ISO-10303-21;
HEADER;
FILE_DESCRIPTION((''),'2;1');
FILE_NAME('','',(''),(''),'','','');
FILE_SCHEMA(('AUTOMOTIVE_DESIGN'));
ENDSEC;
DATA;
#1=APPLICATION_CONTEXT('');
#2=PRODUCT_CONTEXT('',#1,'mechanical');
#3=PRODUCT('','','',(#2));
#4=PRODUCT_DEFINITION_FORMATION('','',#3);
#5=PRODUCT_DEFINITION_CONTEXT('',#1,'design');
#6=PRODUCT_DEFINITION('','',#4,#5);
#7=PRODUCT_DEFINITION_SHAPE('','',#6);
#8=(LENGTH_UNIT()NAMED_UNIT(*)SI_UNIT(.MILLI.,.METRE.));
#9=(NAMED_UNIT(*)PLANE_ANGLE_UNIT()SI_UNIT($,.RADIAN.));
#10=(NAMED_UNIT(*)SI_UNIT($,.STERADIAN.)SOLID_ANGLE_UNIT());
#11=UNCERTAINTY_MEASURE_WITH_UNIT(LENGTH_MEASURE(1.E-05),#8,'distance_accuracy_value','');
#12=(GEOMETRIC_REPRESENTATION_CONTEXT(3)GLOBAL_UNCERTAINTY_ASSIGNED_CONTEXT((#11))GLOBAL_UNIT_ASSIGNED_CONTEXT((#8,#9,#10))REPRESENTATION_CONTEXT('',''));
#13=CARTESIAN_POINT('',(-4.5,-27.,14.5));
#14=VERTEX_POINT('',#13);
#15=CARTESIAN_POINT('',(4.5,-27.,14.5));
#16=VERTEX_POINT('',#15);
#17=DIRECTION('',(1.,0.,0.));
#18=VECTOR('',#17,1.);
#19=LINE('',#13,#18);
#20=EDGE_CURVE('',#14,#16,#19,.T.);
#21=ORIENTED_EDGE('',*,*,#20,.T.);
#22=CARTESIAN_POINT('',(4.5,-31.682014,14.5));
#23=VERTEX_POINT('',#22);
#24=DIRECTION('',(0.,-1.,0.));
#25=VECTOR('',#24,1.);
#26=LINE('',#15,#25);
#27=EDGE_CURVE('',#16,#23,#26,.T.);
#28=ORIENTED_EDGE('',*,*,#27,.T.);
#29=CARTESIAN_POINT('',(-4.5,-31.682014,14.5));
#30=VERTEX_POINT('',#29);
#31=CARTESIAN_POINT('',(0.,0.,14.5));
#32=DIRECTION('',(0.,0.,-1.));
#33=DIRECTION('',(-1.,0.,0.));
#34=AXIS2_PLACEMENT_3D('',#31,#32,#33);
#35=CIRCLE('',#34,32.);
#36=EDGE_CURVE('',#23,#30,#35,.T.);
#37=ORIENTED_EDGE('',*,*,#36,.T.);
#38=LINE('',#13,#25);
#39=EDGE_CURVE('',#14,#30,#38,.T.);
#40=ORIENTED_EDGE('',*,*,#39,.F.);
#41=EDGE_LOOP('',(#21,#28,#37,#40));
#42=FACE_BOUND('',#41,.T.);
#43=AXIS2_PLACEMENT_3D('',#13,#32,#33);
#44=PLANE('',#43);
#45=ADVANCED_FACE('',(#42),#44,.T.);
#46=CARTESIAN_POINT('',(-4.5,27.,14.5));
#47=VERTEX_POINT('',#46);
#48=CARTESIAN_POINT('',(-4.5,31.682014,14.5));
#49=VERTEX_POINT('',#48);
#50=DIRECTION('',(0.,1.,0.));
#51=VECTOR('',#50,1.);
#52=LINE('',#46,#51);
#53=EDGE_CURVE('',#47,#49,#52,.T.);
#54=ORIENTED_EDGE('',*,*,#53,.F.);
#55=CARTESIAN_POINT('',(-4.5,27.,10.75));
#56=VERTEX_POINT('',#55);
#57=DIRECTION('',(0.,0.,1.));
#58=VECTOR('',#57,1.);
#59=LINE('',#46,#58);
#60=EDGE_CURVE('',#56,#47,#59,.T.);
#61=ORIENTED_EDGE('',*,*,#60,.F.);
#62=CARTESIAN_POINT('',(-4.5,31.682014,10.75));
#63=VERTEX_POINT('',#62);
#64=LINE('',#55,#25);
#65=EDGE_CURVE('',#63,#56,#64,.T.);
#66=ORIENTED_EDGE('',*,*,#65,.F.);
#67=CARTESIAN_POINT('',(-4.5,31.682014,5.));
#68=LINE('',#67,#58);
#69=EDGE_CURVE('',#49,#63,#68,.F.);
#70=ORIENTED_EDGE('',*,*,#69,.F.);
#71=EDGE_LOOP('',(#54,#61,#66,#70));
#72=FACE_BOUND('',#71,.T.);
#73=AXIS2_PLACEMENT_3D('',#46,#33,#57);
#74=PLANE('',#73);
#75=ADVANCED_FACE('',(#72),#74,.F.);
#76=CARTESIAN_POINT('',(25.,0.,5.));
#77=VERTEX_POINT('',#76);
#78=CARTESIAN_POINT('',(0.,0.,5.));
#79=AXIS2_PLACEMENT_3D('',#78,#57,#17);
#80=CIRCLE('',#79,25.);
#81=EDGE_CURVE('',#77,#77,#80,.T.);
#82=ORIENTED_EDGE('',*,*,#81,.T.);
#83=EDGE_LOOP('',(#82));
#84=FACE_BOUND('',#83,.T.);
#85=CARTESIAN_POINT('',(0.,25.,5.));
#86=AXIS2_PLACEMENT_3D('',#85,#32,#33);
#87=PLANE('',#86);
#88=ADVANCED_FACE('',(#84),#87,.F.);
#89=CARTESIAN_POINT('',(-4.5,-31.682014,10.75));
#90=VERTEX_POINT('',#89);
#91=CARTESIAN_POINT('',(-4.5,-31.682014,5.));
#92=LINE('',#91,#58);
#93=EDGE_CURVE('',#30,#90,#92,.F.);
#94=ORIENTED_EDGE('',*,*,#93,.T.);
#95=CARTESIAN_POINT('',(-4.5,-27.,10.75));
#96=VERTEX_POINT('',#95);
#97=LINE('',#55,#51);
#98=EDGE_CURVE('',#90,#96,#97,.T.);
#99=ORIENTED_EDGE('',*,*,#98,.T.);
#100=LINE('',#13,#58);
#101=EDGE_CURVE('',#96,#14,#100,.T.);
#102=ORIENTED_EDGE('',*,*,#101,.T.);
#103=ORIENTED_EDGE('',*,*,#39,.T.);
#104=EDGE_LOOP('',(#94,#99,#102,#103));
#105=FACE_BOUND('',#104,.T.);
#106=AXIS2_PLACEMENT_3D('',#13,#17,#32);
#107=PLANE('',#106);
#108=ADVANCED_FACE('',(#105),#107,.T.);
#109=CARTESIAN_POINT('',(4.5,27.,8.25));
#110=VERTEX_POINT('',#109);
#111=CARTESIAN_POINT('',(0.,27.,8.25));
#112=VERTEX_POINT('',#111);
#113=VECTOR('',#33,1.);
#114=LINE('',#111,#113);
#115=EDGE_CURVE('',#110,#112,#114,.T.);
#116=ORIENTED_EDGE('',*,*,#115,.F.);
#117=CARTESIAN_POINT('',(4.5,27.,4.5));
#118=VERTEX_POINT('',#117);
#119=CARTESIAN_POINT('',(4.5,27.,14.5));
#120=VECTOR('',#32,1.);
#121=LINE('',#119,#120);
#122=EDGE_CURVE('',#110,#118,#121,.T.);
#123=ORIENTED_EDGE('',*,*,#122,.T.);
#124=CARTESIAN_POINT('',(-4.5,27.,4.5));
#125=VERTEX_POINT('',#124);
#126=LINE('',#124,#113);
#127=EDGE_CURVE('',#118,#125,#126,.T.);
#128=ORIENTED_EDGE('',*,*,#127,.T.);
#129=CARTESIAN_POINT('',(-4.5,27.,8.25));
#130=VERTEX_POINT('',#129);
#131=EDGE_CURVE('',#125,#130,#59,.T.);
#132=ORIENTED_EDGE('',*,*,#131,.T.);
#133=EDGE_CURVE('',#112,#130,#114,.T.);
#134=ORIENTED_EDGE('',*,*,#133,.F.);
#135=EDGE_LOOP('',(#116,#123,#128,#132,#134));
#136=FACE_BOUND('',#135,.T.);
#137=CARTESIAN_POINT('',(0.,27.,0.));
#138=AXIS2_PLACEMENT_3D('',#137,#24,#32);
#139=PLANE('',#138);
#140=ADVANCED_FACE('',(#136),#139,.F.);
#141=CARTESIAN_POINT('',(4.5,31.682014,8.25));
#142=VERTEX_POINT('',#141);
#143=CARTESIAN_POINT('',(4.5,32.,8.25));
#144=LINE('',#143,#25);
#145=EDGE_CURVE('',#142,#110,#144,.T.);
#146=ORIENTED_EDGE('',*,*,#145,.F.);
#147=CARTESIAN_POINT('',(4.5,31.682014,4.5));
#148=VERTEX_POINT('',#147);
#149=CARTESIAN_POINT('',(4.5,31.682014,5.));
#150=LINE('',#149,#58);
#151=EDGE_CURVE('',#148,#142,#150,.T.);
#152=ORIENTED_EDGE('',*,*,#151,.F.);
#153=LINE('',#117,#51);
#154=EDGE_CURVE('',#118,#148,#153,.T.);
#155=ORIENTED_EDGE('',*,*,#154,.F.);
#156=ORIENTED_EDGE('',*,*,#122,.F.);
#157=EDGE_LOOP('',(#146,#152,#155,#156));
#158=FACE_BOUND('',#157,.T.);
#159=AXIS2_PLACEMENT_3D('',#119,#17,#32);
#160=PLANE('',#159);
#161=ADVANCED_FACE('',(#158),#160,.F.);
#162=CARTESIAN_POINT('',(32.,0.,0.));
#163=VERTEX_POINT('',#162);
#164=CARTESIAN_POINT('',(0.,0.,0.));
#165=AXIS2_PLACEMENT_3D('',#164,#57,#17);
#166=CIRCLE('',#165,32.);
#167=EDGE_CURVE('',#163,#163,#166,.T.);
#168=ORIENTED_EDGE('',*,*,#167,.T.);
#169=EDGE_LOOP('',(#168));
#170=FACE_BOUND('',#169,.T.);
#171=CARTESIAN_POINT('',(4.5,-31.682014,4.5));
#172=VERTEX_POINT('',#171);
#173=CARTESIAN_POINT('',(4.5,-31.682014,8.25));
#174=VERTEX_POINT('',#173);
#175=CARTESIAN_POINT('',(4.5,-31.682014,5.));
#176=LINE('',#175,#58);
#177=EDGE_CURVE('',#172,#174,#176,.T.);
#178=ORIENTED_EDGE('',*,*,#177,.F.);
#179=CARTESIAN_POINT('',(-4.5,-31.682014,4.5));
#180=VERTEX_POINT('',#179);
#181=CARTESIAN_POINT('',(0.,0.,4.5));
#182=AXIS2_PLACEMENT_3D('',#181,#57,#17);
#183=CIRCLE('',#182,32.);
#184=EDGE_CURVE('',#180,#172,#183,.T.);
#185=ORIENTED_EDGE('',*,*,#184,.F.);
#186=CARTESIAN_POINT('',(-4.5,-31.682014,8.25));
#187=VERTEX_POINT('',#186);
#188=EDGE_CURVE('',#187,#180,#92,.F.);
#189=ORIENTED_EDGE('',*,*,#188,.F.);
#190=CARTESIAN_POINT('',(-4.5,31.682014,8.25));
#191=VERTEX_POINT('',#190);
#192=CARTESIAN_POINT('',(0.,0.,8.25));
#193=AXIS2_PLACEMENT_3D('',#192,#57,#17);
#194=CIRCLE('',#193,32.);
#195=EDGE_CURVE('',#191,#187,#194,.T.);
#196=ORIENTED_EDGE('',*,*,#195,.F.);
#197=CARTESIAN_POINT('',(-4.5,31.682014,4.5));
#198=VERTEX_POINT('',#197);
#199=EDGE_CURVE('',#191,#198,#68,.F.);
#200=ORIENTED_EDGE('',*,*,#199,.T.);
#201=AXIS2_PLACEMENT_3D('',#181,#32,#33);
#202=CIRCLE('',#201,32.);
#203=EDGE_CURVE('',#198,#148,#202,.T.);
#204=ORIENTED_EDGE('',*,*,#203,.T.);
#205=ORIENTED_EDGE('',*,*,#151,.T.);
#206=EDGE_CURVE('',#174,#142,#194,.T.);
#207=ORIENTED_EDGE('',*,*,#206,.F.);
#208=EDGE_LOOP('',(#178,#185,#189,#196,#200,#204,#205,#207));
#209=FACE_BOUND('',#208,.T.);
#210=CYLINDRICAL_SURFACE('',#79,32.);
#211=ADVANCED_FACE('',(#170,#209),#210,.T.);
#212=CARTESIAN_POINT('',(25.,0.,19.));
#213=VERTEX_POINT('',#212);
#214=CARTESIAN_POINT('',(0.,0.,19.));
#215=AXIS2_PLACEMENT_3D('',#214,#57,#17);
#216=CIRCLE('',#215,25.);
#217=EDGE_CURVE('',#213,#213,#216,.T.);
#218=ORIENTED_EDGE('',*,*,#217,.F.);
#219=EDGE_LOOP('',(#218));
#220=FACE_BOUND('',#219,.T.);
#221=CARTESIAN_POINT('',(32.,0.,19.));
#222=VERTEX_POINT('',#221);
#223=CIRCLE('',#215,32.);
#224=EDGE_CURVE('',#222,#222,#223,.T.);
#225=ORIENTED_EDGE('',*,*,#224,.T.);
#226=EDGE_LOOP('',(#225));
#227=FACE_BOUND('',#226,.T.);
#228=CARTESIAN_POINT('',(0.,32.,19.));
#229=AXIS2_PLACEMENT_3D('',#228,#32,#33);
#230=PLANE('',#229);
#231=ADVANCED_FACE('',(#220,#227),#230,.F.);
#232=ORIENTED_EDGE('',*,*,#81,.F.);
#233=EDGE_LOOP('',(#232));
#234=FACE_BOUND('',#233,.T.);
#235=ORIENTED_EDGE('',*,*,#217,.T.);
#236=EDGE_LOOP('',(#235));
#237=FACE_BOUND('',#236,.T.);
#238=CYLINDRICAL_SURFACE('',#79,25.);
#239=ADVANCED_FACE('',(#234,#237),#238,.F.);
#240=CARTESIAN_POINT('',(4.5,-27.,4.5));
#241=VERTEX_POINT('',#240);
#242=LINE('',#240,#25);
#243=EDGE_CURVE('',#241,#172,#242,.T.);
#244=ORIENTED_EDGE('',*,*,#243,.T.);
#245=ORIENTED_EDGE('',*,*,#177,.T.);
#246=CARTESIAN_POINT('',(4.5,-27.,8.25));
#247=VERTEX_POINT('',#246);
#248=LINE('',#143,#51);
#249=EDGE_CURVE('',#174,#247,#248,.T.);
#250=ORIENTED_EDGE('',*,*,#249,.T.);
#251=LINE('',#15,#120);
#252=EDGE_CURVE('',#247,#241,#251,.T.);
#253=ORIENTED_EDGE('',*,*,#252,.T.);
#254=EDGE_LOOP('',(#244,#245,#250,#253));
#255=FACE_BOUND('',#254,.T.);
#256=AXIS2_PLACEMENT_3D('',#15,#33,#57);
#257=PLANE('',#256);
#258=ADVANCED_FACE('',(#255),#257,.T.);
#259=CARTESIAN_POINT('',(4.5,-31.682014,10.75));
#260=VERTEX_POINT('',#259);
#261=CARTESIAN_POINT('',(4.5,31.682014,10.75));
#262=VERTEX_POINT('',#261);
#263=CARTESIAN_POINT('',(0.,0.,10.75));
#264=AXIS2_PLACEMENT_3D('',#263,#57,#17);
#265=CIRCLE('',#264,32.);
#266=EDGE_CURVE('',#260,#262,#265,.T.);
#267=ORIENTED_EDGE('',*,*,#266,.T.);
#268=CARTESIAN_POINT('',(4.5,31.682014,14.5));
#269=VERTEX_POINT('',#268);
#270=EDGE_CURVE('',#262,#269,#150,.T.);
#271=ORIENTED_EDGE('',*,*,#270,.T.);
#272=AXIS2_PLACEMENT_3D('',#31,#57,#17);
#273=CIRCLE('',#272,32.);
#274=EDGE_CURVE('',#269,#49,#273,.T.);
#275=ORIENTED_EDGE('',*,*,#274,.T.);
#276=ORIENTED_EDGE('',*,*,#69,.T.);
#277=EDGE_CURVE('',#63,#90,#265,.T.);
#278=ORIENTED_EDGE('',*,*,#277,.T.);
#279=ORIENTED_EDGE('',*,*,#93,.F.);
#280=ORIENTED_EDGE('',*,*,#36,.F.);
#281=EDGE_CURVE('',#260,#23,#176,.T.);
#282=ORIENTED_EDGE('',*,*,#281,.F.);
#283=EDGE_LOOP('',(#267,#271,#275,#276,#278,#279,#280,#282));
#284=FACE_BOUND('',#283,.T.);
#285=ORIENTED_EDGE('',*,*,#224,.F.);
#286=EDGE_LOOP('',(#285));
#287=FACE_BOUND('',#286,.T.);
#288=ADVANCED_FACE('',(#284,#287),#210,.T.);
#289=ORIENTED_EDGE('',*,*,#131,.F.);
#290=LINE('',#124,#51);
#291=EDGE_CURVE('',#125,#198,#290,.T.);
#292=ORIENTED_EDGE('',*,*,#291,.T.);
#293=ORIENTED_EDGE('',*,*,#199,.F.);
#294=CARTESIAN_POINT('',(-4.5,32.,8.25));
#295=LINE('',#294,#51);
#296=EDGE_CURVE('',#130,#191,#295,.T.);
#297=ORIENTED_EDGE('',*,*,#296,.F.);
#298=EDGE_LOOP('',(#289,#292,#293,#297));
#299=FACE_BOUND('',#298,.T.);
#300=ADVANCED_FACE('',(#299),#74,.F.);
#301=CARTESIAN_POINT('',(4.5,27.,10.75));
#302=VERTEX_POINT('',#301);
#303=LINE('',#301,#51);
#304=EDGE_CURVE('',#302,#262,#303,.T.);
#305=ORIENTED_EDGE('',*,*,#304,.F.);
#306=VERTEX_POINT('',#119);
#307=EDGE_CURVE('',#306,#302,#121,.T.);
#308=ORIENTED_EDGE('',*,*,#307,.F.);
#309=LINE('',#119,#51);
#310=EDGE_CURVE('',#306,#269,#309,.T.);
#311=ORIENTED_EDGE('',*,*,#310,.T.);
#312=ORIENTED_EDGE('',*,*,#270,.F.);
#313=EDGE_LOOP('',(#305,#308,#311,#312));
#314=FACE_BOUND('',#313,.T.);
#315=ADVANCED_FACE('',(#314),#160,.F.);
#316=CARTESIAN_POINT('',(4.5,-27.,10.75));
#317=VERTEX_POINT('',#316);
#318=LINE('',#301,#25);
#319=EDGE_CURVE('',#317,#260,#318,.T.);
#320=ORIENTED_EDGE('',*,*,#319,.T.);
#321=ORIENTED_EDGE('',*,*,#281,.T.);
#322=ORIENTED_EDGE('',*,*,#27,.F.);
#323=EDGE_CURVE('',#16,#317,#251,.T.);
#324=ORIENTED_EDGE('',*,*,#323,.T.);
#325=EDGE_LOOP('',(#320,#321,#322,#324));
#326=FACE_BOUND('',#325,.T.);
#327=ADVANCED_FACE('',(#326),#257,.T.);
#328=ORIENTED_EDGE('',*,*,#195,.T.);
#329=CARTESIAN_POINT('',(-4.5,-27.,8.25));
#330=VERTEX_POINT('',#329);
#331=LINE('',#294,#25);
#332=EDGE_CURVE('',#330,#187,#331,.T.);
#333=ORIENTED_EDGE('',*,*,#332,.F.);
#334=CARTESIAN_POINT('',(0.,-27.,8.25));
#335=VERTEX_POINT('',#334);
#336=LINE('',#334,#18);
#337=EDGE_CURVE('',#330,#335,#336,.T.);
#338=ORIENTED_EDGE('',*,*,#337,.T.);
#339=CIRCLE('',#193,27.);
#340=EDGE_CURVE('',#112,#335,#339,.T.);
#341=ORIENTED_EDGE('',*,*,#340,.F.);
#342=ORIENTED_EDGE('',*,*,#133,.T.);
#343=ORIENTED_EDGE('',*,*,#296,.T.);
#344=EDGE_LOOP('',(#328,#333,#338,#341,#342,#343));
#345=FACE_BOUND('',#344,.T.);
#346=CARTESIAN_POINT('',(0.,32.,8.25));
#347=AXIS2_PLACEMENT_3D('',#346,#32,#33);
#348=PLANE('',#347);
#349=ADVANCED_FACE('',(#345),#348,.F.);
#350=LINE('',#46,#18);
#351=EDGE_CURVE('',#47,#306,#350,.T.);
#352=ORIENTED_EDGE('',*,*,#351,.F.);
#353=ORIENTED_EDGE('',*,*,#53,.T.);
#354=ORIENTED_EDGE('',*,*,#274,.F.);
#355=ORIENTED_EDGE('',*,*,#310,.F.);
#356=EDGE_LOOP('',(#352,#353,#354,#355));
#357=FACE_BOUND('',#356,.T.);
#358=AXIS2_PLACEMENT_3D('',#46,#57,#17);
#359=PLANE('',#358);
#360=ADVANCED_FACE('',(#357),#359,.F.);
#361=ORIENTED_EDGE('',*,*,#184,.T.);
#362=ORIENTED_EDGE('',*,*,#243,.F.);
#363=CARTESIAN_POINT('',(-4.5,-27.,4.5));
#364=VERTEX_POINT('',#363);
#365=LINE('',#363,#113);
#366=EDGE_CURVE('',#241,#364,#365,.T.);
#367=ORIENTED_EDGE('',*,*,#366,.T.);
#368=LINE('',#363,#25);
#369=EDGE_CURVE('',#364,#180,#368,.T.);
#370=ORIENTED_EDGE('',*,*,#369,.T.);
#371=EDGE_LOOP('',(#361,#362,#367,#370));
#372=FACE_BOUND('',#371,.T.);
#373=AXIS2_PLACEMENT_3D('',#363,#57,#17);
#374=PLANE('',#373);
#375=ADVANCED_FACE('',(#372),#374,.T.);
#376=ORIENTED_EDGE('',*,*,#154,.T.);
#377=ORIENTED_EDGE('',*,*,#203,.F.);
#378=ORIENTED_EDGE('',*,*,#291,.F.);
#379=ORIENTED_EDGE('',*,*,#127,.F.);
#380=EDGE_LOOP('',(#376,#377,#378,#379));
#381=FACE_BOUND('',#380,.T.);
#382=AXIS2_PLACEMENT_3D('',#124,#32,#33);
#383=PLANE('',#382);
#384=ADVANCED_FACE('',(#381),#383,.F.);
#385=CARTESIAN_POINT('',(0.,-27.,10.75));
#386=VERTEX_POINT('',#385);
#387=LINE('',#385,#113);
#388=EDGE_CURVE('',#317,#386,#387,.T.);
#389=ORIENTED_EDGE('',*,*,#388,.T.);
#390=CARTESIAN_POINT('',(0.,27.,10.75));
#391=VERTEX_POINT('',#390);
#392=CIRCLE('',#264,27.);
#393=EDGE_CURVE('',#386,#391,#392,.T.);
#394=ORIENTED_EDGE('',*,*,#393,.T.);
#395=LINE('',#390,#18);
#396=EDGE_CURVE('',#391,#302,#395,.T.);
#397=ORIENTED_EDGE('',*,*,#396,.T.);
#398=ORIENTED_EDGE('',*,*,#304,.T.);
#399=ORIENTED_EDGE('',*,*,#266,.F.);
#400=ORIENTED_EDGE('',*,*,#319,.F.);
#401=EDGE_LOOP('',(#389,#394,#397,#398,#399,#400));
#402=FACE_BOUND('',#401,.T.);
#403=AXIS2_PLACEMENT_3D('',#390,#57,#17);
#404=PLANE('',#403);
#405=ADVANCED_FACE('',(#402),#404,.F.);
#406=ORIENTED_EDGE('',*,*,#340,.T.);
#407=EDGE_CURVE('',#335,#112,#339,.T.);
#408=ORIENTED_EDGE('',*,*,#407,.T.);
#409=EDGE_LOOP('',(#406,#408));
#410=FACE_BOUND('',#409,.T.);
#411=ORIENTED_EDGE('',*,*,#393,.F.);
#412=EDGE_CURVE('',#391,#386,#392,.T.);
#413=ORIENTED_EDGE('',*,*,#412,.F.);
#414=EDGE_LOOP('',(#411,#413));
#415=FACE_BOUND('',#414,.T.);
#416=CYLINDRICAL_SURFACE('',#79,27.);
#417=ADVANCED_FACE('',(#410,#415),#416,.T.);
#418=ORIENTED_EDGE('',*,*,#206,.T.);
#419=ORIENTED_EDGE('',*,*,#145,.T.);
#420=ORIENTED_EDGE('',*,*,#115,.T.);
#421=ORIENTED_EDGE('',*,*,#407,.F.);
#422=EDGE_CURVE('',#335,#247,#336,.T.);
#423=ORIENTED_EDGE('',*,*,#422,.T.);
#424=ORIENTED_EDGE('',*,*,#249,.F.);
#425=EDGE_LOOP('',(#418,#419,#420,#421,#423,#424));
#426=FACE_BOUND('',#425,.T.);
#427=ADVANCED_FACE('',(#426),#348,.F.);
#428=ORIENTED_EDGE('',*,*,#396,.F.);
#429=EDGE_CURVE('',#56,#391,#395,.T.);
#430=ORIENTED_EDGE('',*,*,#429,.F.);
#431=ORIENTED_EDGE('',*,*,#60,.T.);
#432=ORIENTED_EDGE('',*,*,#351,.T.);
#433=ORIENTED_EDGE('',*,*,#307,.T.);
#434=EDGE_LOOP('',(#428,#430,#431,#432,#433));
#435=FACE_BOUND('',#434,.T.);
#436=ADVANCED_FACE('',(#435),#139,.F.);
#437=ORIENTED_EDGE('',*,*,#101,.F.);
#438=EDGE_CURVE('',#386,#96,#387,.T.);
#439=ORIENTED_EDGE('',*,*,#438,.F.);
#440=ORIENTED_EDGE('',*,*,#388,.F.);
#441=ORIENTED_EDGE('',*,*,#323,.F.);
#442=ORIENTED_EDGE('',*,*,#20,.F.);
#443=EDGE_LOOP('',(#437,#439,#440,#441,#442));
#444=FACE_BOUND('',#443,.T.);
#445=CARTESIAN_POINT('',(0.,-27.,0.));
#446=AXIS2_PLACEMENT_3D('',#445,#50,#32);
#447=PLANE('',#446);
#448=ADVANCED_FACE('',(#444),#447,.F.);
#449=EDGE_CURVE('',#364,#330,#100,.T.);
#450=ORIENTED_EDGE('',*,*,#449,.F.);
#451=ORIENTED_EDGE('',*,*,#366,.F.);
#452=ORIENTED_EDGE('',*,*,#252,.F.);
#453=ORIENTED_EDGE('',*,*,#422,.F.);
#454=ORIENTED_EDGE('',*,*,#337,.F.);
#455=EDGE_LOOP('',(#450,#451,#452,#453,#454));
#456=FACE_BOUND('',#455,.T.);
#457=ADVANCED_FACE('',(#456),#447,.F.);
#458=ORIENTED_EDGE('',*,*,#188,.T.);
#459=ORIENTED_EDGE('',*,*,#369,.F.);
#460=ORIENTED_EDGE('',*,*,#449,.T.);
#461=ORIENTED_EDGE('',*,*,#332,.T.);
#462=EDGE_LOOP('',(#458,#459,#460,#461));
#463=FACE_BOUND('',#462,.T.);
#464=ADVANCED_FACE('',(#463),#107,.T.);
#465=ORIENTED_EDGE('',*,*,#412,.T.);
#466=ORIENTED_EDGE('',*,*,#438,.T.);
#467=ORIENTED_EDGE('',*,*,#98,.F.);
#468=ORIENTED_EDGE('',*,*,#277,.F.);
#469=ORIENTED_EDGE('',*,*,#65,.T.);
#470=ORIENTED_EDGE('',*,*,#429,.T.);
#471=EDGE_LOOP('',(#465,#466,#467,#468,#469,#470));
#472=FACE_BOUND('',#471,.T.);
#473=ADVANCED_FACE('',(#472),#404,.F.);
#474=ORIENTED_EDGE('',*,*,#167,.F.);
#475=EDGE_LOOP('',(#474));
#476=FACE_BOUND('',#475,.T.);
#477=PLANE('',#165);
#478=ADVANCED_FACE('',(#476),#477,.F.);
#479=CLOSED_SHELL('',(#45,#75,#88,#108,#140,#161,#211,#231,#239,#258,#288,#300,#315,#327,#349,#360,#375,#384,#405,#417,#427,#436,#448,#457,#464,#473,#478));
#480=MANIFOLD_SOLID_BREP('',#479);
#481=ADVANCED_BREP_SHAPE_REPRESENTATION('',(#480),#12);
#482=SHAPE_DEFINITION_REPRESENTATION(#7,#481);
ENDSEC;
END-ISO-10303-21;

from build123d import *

# Parameters (mm, degrees)
SKETCH7_W          = 9
SKETCH7_H          = 10
CUT_EXTRUDE1_DEPTH = 5


with BuildPart() as part:
    # Sketch2 → Revolve1 (revolve)
    with BuildSketch(Plane(origin=(0, 0, 0), x_dir=(0, 0, -1), z_dir=(1, 0, 0)), mode=Mode.PRIVATE) as revolve1_sk:
        Polygon((0, 0), (0, 32), (-8.25, 32), (-8.25, 27), (-10.75, 27), (-10.75, 32), (-19, 32), (-19, 25), (-5, 25), (-5, 0), align=None)
    revolve(revolve1_sk.sketch.rotate(Axis((0, 0, 5), (0, 0, -1)), 90), axis=Axis((0, 0, 5), (0, 0, -1)))

    # Sketch7 → Cut-Extrude1 (cut)
    with BuildSketch(Plane(origin=(0, 32, 0), x_dir=(1, 0, 0), z_dir=(0, 1, 0))):
        with Locations((0, -9.5)):
            Rectangle(SKETCH7_W, SKETCH7_H)
    cut_extrude1 = extrude(amount=-CUT_EXTRUDE1_DEPTH, mode=Mode.SUBTRACT)

    # Mirror1: Cut-Extrude1 across plane
    add(cut_extrude1.mirror(Plane.ZX), mode=Mode.SUBTRACT)


solid = part.part
